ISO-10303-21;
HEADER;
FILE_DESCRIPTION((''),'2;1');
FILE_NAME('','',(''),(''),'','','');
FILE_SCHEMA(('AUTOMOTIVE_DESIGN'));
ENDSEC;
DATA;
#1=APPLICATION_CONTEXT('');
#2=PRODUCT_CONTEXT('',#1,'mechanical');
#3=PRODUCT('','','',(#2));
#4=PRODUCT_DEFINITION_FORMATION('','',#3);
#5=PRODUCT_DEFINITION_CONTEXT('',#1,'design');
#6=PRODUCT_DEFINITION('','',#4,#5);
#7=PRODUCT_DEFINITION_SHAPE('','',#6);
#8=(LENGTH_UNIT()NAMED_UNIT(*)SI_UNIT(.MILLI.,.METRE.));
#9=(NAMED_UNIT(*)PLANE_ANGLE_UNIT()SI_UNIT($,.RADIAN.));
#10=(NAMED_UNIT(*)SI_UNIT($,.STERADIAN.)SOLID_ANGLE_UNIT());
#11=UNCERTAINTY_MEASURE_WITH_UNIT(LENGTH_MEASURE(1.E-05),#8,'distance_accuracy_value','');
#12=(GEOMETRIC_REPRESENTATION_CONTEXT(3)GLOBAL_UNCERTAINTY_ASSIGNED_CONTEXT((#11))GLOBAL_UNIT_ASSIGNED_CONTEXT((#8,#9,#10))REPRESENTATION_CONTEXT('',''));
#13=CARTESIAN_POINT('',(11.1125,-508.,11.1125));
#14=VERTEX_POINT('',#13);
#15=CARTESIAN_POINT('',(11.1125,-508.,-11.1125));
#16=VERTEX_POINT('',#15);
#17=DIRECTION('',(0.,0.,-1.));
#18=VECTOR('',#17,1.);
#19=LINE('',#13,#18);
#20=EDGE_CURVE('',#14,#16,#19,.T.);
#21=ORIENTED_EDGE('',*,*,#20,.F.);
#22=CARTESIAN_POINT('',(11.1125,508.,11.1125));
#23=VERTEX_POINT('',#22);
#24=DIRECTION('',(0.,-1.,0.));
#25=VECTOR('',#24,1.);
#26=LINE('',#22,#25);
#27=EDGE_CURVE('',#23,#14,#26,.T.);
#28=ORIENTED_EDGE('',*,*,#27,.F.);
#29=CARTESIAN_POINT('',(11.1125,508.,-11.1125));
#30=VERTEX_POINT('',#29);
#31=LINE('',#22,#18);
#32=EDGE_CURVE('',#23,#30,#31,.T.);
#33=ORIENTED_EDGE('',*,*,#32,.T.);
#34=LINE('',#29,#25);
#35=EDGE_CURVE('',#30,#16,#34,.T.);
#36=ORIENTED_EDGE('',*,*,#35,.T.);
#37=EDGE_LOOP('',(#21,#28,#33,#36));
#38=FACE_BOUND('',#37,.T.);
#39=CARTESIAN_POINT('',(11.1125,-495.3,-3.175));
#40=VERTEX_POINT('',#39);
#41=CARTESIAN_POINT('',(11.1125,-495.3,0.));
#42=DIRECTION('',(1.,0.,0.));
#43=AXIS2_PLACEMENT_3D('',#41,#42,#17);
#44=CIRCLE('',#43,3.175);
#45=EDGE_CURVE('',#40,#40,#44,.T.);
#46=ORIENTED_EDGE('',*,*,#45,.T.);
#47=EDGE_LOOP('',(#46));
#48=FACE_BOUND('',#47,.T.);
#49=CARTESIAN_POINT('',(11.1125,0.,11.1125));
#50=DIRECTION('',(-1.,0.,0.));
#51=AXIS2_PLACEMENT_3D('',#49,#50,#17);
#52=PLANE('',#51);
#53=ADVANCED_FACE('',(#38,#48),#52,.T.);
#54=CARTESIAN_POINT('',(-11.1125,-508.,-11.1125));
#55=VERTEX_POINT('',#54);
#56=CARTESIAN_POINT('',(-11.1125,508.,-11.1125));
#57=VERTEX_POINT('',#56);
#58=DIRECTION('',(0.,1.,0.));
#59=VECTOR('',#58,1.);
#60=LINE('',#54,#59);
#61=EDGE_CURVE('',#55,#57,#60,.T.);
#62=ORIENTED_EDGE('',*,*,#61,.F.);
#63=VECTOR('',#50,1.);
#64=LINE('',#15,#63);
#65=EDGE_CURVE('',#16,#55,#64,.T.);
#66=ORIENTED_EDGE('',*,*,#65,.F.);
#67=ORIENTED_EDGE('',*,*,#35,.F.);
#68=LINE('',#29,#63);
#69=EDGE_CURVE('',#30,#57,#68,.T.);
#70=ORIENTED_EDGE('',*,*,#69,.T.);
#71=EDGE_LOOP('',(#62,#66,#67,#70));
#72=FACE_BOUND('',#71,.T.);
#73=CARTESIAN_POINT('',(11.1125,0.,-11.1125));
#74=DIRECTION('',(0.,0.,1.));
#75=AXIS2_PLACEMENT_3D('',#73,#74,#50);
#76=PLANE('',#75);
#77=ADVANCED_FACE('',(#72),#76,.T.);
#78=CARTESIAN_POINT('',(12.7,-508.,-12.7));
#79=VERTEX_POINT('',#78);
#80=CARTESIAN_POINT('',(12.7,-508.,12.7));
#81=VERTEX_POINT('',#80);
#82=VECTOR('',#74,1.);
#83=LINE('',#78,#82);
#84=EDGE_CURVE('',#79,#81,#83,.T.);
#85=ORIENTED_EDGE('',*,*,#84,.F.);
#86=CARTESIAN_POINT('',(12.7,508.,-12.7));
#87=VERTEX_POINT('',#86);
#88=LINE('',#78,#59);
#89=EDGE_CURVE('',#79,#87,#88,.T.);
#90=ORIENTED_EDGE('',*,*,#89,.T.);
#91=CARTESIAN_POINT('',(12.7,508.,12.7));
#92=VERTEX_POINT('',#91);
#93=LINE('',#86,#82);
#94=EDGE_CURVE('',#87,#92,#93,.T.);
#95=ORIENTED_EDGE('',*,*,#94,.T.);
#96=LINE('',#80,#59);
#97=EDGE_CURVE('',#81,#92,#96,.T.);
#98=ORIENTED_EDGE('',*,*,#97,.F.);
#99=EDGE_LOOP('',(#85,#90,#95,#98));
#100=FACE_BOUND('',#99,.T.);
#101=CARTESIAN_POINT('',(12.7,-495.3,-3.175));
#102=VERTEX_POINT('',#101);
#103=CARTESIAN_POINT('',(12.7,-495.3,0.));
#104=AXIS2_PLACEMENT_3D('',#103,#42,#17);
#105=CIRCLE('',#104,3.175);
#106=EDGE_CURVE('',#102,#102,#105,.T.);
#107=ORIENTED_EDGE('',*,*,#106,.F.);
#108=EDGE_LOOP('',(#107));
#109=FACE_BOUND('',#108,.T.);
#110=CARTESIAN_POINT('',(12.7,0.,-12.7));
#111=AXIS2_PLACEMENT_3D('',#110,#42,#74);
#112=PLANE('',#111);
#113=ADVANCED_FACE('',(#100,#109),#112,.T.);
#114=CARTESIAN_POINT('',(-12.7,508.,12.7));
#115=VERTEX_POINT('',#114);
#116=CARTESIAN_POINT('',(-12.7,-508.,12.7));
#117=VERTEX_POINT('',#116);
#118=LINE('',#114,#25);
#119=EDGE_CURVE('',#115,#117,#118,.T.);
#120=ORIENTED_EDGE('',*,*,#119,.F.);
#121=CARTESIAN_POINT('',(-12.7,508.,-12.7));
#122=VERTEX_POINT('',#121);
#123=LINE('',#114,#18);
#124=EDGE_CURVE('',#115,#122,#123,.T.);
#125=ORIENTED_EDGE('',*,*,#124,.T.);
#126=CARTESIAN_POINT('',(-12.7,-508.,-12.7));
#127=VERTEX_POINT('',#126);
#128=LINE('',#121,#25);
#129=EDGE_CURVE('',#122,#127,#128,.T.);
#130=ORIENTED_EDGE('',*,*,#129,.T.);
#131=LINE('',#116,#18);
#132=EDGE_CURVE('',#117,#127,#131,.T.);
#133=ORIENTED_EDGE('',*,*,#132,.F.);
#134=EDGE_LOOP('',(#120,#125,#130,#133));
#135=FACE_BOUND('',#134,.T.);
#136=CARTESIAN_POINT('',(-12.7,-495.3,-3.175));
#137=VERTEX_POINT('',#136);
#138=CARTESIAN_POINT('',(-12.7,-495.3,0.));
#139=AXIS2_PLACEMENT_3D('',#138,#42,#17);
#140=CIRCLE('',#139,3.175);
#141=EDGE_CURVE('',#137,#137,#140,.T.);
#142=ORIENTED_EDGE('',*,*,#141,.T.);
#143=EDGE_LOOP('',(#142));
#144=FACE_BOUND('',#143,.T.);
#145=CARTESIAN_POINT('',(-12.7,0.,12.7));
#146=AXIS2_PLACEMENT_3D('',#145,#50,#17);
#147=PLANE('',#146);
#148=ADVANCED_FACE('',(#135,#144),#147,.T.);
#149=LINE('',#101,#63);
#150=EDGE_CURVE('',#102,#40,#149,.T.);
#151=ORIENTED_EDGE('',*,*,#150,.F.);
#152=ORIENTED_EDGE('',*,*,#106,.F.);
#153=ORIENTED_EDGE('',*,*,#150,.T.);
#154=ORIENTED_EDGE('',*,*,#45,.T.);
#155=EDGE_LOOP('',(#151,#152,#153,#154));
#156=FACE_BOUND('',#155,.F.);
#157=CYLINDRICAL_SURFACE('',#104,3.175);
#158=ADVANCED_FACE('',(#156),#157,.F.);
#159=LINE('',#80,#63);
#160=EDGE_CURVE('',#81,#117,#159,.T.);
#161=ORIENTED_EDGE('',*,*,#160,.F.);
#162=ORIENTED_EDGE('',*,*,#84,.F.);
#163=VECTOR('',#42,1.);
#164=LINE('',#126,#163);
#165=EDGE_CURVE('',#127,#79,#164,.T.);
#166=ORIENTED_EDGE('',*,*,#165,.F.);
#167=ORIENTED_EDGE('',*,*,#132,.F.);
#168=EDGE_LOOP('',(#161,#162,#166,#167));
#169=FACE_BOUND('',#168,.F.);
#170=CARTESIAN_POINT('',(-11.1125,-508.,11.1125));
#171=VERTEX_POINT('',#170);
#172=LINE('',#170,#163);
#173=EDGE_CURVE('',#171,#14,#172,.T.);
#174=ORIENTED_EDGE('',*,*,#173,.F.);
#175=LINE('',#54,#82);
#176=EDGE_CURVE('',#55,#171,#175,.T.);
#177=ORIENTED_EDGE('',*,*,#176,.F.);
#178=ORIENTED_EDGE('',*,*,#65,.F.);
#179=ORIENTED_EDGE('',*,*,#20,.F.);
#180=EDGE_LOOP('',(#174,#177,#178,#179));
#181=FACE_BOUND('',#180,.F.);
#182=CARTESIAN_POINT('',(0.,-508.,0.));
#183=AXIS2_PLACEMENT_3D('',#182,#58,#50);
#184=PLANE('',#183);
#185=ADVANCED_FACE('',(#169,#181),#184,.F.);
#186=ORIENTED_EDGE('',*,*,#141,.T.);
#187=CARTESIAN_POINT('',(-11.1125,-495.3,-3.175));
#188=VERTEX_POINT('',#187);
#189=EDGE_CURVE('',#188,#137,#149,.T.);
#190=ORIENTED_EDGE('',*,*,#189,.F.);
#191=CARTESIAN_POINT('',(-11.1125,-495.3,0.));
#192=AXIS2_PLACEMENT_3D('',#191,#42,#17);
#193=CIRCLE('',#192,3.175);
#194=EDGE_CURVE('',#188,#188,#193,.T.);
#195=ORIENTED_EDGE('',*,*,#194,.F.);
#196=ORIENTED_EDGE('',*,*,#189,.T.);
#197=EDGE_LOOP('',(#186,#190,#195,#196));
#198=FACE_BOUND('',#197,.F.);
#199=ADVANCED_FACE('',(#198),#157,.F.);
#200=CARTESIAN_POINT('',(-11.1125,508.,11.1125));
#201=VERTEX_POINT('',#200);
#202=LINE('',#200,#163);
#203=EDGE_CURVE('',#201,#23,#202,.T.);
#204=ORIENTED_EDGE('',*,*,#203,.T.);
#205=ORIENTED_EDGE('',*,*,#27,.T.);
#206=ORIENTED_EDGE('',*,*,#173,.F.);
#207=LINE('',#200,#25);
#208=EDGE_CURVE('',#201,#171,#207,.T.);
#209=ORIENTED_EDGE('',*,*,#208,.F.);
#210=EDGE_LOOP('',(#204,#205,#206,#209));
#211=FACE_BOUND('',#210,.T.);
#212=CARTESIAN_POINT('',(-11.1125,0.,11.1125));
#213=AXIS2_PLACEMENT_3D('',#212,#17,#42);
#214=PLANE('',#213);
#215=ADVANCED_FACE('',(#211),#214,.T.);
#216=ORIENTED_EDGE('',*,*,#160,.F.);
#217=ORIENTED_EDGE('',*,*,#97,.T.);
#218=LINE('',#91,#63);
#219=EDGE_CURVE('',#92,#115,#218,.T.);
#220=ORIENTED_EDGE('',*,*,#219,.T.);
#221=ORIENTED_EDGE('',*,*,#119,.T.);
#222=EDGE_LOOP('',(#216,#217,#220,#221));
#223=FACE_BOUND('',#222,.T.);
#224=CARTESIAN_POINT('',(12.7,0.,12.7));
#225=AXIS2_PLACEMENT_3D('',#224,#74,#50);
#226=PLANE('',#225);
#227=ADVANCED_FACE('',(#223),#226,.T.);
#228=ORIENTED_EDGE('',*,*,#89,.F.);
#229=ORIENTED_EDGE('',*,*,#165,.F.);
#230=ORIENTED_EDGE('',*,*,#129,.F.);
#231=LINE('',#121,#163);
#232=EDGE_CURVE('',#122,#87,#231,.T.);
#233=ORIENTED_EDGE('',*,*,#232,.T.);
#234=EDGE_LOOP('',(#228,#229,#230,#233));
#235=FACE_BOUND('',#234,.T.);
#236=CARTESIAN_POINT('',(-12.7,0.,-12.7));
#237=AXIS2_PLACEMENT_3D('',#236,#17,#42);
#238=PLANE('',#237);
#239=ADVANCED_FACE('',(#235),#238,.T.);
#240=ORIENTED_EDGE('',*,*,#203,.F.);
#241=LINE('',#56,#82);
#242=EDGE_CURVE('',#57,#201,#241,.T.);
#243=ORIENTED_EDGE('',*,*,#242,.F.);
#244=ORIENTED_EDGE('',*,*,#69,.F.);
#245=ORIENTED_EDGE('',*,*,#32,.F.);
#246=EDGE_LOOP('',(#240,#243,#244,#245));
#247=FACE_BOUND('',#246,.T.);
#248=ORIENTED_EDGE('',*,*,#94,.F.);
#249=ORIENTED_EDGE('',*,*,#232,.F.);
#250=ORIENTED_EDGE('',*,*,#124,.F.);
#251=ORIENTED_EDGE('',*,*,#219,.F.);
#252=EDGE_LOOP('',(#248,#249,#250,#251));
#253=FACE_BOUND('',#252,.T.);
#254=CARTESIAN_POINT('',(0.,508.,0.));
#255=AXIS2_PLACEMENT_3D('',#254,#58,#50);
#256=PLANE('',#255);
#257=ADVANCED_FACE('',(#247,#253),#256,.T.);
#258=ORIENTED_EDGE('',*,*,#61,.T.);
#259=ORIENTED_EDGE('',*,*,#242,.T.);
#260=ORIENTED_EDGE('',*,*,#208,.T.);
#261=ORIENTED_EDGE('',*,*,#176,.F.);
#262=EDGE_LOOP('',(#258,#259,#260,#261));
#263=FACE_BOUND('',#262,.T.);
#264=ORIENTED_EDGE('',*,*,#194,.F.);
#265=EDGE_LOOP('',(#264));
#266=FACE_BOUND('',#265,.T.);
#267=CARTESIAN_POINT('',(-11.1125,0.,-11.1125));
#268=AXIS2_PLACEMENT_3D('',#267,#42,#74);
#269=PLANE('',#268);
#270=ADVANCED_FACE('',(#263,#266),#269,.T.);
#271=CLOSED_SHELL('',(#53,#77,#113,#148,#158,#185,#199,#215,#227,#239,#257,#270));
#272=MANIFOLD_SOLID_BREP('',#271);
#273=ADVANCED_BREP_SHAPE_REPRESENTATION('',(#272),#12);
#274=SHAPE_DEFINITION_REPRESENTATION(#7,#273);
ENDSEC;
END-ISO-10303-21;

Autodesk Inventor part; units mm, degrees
ref_plane "YZ Plane" through (0, 0, 0) normal (1, 0, 0) x (0, 1, 0)
ref_plane "XZ Plane" through (0, 0, 0) normal (0, 1, 0) x (-1, 0, 0)
ref_plane "XY Plane" through (0, 0, 0) normal (0, 0, 1) x (1, 0, 0)
sketch "Sketch1" plane through (0, 0, 0) normal (0, 1, 0) x (-1, 0, 0)
  line L0 (-12.7, 12.7) -> (12.7, 12.7)
  line L1 (12.7, 12.7) -> (12.7, -12.7)
  line L2 (12.7, -12.7) -> (-12.7, -12.7)
  line L3 (-12.7, -12.7) -> (-12.7, 12.7)
  line L4 (-12.7, 12.7) -> (12.7, -12.7) construction
  line L5 (12.7, 12.7) -> (-12.7, -12.7) construction
  line L6 (11.1125, -11.1125) -> (11.1125, 11.1125)
  line L7 (11.1125, 11.1125) -> (-11.1125, 11.1125)
  line L8 (-11.1125, 11.1125) -> (-11.1125, -11.1125)
  line L9 (-11.1125, -11.1125) -> (11.1125, -11.1125)
  point P0 (0, 0)
  dimension "d0" = 25.4
  dimension "d1" = 1.5875
extrude "Extrusion1" add sketch "Sketch1" along normal mid plane 1016
sketch "Sketch2" plane through (12.7, -508, -12.7) normal (1, 0, 0) x (0, 0, -1)
  circle A0 centre (-12.7, 12.7) radius 3.175
  line L0 (-12.7, 12.7) -> (-12.7, 0) construction
  line L1 (-23.8125, 0) -> (-1.5875, 0) construction
  point P0 (-12.7, 508)
  dimension "d4" = 6.35
  dimension "d5" = 12.7
extrude "Extrusion2" cut sketch "Sketch2" against normal through all
properties part number "climb bar"
